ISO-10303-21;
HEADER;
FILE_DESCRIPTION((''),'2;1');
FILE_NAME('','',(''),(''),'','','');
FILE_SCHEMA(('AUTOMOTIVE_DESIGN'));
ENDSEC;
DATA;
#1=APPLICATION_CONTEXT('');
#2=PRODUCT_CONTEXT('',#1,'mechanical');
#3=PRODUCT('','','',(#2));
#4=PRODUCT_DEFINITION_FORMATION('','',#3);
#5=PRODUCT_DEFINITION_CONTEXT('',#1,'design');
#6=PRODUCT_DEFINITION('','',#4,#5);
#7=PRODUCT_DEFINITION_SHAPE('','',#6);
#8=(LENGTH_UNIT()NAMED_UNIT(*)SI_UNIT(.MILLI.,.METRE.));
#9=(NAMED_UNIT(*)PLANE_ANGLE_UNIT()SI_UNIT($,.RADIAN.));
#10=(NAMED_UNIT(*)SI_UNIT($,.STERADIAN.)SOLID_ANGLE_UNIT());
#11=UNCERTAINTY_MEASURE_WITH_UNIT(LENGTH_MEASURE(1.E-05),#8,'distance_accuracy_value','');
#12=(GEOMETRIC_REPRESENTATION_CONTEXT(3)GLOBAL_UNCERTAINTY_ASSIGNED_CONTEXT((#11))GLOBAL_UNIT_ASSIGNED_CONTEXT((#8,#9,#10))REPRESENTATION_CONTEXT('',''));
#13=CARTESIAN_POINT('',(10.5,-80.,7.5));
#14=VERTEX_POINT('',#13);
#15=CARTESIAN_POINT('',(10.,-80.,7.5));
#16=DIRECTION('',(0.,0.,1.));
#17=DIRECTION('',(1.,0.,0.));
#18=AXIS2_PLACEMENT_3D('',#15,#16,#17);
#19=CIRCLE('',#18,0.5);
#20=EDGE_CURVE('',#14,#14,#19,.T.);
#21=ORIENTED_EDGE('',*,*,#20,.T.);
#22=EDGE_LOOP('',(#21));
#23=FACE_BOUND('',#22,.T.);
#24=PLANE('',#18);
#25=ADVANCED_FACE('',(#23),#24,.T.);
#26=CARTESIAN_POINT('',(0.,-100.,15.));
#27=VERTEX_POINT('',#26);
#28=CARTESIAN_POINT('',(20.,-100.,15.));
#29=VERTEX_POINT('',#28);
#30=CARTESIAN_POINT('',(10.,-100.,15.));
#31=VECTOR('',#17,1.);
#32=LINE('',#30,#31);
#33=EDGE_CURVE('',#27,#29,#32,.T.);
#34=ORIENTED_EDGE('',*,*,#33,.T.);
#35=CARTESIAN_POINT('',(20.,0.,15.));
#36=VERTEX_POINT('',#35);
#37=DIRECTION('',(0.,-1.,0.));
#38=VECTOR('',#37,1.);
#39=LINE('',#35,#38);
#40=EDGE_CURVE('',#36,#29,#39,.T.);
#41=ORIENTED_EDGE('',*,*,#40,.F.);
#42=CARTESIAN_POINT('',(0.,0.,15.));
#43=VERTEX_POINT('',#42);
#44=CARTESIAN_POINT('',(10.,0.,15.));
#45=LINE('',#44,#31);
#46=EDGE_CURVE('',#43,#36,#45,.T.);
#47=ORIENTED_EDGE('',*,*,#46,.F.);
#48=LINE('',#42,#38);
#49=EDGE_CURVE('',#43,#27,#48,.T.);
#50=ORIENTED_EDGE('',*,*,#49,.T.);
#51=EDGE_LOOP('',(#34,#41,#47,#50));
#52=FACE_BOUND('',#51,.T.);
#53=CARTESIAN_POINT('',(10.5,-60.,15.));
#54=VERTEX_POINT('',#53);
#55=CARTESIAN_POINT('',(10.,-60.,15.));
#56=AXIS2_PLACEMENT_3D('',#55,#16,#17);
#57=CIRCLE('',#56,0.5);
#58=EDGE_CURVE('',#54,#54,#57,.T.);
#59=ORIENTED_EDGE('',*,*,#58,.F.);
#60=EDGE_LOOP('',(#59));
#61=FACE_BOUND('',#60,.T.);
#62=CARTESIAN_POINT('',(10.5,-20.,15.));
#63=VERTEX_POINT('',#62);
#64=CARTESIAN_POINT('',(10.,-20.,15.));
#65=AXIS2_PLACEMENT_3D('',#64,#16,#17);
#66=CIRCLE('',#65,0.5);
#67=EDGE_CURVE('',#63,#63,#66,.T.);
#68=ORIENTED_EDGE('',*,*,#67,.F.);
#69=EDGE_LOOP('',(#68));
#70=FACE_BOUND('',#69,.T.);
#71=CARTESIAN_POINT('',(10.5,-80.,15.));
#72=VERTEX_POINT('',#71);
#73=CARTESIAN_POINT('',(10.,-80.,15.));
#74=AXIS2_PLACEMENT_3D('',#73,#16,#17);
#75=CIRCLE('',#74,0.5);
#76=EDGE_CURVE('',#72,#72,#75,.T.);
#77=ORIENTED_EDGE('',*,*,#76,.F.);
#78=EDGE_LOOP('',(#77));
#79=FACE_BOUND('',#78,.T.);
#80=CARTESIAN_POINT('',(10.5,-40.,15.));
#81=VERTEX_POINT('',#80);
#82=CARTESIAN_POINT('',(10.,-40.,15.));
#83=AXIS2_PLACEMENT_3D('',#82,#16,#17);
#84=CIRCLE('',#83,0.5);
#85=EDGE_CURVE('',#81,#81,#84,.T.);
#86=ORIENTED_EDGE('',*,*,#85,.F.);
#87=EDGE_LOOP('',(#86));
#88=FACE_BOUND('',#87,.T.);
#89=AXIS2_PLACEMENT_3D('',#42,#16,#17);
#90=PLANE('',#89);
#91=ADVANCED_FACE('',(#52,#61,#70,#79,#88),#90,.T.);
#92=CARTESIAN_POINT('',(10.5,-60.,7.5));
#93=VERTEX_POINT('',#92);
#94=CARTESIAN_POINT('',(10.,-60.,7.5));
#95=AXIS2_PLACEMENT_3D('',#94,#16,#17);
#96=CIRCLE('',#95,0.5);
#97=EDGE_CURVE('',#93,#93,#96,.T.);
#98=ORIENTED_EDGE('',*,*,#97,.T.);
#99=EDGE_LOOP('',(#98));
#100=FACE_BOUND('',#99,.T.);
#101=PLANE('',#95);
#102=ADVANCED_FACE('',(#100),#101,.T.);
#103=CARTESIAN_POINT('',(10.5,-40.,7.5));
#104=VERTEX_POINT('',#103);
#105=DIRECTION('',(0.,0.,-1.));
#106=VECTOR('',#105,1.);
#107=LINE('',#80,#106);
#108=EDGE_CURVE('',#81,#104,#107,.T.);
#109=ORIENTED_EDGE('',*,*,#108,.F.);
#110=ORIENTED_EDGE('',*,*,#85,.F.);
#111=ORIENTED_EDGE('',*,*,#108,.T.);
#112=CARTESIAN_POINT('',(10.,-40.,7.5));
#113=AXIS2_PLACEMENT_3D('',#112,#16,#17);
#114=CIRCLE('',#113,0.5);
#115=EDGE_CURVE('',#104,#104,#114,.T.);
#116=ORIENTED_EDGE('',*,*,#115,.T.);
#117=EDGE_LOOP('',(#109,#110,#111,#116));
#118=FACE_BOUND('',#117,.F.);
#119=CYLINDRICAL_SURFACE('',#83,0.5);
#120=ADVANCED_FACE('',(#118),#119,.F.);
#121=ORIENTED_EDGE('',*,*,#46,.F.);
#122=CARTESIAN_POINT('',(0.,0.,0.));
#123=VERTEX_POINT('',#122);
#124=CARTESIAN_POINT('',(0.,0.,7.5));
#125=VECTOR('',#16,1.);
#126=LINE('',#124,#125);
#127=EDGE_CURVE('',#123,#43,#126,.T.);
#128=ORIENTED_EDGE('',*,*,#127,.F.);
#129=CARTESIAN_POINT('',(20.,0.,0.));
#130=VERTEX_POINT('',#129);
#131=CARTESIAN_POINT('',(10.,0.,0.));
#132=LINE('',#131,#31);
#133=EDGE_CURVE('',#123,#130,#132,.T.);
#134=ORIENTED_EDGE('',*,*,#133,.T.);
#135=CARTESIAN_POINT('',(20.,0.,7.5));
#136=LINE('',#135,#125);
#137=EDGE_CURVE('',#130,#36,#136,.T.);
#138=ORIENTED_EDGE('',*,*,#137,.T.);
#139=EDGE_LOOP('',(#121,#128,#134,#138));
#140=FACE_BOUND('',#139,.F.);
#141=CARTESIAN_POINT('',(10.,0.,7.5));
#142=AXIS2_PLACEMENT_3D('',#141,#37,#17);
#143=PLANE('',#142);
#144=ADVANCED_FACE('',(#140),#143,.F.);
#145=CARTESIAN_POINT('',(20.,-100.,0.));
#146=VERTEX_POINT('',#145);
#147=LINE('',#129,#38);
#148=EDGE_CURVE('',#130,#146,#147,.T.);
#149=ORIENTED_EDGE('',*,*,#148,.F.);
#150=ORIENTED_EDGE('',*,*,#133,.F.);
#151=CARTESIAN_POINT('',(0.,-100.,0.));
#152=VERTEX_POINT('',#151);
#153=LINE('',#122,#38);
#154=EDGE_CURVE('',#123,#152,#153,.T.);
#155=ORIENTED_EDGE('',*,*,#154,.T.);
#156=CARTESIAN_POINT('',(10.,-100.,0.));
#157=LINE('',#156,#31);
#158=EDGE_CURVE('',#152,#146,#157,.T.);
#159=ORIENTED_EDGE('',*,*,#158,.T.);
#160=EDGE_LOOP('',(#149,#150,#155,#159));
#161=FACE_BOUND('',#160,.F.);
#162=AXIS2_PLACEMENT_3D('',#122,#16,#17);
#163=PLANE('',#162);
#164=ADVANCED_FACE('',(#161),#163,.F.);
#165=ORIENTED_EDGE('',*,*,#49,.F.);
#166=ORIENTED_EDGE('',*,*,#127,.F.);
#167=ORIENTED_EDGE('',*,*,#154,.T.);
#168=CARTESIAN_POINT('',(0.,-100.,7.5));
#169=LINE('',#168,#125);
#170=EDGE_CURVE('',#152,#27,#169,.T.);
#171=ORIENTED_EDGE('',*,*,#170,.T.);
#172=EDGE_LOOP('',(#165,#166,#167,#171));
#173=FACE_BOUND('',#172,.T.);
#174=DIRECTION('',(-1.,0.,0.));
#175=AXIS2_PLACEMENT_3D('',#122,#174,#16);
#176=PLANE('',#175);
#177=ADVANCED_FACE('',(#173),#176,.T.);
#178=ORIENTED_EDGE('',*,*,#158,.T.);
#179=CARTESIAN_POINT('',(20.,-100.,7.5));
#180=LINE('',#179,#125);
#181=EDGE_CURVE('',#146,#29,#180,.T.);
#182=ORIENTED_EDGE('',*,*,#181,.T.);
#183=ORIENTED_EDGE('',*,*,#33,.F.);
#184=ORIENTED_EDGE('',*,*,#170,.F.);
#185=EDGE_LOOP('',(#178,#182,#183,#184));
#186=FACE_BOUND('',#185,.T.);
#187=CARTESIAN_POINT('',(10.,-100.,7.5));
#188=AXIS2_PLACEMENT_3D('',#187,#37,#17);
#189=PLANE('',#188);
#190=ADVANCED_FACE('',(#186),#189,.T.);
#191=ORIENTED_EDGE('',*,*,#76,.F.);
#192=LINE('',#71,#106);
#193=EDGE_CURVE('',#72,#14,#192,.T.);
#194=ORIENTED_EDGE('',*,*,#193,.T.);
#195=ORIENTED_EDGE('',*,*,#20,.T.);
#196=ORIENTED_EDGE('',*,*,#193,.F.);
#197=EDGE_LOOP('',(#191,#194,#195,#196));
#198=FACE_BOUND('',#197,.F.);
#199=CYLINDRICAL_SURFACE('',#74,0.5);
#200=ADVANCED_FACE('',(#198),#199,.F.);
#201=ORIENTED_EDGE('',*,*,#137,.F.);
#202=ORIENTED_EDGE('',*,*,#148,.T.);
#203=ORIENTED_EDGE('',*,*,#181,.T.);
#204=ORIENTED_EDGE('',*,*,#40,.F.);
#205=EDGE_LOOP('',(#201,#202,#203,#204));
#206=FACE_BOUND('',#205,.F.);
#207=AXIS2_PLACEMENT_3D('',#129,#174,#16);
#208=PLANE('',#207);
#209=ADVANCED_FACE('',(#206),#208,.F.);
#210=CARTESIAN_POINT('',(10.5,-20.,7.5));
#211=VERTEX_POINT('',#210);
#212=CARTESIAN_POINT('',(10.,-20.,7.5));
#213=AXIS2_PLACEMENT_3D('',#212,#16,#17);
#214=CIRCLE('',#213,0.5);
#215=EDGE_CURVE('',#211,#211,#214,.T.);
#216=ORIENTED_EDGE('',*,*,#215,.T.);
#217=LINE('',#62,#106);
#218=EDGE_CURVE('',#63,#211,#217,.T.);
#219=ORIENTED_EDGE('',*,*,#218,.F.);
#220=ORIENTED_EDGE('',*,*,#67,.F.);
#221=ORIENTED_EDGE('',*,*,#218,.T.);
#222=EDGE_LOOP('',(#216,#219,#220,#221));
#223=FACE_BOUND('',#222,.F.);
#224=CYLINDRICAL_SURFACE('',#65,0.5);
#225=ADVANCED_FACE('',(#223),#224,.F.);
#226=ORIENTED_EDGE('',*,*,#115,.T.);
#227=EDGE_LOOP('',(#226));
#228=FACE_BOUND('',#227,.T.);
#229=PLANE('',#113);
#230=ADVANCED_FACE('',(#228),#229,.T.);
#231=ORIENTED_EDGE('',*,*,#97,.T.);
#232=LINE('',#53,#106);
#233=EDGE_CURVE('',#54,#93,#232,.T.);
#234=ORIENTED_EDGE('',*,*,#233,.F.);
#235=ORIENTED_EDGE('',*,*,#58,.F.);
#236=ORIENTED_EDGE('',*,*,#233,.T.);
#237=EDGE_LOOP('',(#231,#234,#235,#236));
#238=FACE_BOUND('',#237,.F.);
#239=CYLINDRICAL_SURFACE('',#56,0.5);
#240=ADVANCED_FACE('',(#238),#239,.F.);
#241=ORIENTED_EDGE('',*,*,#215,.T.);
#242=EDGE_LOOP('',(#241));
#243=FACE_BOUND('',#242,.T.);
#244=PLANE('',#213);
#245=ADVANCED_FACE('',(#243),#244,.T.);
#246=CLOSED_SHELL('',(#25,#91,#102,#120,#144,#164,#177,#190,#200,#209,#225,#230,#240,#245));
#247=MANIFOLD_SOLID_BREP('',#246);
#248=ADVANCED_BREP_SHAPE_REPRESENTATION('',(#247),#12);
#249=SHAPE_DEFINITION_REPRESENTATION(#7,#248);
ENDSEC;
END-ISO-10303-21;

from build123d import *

# Parameters (mm, degrees)
F0_W     = 20
F0_H     = 15
F1_DEPTH = 100
F2_R     = 0.5
F3_DEPTH = 7.5


with BuildPart() as f1:
    # F0 (on Front) → F1 (new body)
    with BuildSketch(Plane.XZ):
        with Locations((10, 7.5)):
            Rectangle(F0_W, F0_H)
    extrude(amount=F1_DEPTH)

    # F2 (on face) → F3 (cut)
    with BuildSketch(Plane.XY.offset(15)):
        with Locations((10, -80)):
            Circle(F2_R)
        with Locations((10, -60)):
            Circle(F2_R)
        with Locations((10, -40)):
            Circle(F2_R)
        with Locations((10, -20)):
            Circle(F2_R)
    extrude(amount=-F3_DEPTH, mode=Mode.SUBTRACT)


solid = f1.part
